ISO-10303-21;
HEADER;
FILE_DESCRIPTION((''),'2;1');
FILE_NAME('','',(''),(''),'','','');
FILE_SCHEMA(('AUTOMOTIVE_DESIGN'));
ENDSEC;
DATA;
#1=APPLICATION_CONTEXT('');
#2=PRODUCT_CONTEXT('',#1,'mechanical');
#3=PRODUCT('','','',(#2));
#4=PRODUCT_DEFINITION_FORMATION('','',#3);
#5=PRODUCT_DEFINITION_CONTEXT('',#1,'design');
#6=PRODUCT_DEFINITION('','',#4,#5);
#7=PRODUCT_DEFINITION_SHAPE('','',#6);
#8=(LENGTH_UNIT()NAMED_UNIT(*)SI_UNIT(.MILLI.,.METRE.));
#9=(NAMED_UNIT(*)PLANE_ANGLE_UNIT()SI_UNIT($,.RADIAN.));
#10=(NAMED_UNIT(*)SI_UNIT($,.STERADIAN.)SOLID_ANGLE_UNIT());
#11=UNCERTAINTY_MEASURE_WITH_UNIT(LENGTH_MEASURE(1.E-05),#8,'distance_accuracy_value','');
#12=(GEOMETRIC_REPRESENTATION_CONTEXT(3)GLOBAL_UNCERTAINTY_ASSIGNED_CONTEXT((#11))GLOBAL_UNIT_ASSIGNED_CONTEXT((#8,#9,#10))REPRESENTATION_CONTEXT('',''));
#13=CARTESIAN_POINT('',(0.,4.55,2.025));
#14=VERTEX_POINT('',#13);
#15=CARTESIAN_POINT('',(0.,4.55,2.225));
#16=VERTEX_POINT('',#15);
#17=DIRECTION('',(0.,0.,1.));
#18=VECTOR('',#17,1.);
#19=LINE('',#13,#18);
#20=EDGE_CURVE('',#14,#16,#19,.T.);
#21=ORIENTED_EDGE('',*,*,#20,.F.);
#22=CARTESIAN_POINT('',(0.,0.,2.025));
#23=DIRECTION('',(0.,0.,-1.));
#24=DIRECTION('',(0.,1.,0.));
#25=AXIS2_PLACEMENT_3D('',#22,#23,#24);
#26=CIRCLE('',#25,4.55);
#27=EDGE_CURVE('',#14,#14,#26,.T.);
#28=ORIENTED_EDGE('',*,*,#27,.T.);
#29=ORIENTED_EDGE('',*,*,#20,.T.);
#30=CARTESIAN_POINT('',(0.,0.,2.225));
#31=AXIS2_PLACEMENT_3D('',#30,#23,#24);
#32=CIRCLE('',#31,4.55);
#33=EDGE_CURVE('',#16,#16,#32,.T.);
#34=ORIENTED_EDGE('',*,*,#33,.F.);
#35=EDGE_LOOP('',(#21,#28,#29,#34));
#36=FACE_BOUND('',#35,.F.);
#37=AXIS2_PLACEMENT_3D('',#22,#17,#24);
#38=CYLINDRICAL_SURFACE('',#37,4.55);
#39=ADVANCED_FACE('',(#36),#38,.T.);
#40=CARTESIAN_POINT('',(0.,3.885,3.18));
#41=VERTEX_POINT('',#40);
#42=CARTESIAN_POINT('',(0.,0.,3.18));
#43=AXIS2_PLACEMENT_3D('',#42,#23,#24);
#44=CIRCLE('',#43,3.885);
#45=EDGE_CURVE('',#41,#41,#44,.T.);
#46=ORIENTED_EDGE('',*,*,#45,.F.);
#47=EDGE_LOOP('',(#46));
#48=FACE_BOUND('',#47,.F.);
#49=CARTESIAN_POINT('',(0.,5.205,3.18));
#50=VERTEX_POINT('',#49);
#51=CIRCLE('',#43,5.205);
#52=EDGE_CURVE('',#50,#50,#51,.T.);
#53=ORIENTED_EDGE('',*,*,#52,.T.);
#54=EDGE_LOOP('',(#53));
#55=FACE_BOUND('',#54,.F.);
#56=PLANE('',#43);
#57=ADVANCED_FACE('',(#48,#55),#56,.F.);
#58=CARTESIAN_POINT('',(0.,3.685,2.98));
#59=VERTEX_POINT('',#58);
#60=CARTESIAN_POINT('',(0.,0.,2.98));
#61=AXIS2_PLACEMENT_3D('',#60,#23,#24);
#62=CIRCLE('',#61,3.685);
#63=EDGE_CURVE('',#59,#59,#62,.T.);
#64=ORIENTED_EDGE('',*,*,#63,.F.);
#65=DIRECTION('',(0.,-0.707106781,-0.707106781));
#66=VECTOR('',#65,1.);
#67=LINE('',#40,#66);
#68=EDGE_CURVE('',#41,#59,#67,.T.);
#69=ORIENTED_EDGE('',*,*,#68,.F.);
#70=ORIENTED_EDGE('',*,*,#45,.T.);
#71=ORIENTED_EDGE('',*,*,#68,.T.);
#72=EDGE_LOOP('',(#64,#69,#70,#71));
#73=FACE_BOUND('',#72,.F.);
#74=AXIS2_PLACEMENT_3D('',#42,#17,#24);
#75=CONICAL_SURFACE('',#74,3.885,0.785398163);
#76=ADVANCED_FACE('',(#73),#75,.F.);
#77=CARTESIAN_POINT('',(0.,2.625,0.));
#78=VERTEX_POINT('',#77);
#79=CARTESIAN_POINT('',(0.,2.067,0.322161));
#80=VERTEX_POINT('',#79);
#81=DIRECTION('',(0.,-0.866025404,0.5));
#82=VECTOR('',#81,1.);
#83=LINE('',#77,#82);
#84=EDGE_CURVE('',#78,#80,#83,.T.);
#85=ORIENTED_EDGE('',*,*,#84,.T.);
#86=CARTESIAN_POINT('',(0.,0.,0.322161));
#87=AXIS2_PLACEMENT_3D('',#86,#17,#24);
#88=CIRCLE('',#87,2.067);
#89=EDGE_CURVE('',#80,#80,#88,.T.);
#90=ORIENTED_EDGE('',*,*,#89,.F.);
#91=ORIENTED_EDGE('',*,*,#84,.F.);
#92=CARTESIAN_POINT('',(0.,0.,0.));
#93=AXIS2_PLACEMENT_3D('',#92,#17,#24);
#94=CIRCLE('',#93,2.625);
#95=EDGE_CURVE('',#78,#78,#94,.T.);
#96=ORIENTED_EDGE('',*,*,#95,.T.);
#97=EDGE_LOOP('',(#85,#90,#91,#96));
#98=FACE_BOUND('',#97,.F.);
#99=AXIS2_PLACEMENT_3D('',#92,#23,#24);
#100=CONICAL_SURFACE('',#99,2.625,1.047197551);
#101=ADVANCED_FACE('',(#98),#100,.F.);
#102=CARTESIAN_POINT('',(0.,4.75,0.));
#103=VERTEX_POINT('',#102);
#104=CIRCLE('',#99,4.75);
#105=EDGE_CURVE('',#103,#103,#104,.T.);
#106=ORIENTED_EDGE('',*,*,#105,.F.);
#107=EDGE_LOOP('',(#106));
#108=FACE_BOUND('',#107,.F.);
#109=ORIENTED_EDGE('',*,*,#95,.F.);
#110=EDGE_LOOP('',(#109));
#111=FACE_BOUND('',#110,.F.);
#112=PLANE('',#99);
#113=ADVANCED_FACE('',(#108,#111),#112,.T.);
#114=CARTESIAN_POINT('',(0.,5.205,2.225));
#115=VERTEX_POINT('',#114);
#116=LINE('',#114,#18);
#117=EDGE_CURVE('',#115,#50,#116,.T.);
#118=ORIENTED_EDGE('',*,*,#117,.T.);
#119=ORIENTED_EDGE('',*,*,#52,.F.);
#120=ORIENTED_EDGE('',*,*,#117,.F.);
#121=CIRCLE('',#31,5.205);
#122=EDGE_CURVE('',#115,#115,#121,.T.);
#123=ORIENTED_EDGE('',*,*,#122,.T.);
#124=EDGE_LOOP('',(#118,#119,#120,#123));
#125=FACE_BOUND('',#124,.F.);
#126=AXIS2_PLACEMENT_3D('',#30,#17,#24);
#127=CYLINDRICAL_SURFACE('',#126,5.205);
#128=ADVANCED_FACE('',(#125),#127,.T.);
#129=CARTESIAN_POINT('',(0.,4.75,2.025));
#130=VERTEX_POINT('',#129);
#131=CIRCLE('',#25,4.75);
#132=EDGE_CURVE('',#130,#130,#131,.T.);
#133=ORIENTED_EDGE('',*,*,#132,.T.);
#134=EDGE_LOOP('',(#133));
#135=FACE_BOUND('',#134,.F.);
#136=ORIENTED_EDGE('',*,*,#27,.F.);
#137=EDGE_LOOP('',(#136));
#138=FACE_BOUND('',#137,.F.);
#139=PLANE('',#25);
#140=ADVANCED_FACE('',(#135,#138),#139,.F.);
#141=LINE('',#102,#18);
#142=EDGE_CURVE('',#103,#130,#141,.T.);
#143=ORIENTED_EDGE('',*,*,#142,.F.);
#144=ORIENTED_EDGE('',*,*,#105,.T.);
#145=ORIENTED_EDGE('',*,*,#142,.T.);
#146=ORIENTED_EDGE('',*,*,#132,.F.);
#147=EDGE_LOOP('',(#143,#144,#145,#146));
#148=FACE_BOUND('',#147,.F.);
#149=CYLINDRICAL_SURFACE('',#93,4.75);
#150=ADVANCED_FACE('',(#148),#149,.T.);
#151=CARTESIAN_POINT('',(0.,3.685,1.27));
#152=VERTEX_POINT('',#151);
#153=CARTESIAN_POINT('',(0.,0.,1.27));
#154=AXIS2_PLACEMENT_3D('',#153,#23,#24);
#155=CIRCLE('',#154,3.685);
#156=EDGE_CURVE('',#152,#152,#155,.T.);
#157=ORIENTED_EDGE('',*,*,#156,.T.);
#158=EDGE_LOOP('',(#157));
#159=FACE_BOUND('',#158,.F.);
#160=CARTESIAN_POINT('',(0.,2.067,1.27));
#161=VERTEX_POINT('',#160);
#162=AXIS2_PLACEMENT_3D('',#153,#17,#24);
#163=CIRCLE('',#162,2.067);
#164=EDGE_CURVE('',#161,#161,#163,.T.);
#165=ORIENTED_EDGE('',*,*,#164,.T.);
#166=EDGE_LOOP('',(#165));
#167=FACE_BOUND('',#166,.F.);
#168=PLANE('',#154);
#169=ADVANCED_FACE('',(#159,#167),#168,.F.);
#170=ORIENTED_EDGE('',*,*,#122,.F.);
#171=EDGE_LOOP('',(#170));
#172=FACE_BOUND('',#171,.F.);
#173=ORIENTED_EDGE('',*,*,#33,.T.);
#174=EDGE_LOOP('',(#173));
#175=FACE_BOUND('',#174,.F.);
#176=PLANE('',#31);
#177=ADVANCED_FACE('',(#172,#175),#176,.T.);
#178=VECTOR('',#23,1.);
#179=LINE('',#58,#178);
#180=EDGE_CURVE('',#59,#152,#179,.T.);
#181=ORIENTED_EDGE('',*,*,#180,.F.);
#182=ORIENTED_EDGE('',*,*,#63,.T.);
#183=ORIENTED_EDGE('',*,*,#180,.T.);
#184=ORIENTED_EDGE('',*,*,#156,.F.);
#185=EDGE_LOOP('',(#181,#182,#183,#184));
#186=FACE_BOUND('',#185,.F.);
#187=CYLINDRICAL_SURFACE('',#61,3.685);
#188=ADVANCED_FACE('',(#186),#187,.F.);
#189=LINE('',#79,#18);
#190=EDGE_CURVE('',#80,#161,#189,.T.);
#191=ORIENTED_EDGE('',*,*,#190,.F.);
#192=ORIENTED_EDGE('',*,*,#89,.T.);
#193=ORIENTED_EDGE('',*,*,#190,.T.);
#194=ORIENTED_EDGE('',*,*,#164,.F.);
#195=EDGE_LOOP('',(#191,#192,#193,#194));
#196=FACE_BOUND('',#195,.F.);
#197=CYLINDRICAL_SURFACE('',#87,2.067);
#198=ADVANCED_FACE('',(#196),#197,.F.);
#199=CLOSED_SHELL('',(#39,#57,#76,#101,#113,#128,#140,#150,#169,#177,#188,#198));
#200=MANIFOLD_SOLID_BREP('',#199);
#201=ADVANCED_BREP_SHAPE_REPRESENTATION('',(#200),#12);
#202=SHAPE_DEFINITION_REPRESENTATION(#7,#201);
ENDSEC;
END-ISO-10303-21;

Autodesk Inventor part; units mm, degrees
ref_plane "YZ Plane" through (0, 0, 0) normal (1, 0, 0) x (0, 1, 0)
ref_plane "XZ Plane" through (0, 0, 0) normal (0, 1, 0) x (-1, 0, 0)
ref_plane "XY Plane" through (0, 0, 0) normal (0, 0, 1) x (1, 0, 0)
sketch "Sketch1" plane through (0, 0, 0) normal (1, 0, 0) x (0, 1, 0)
  line L0 (0, 0) -> (4.75, 0)
  line L1 (4.75, 0) -> (4.75, 2.025)
  line L2 (4.75, 2.025) -> (4.55, 2.025)
  line L3 (4.55, 2.025) -> (4.55, 2.225)
  line L4 (4.55, 2.225) -> (5.205, 2.225)
  line L5 (5.205, 2.225) -> (5.205, 3.18)
  line L6 (5.205, 3.18) -> (3.885, 3.18)
  line L7 (3.685, 2.98) -> (3.685, 1.27)
  line L8 (3.685, 1.27) -> (0, 1.27)
  line L9 (0, 1.27) -> (0, 0)
  line L10 (3.885, 3.18) -> (3.685, 2.98)
  point P0 (3.685, 3.18)
  dimension "d1" = 9.5
  dimension "d4" = 0.2
  dimension "d5" = 3.18
  dimension "d6" = 10.41
  dimension "d7" = 1.91
  dimension "d8" = 7.37
  dimension "d9" = 0.955
  dimension "d28" = 0.2
  dimension "d29" = 0.2
revolve "Revolution1" add sketch "Sketch1" angle 360 about axis through (0, 0, 1.27) along (0, 0, -1)
hole "Hole1" at (0, 0, 0) direction (0, 0, 1) diameter 4.134 end through all countersink diameter 5.25 countersink angle 120 thread size "M5x0.8" class "6H" standard "ANSI Metric M Profile"
equation "\"d1\" = C_"
equation "\"d4\" = TD_d"
equation "\"d5\" = A_"
equation "\"d6\" = E_"
equation "\"d7\" = H_"
equation "\"d8\" = B"
equation "\"d9\" = 0.5 * H_"
equation "\"d28\" = TD_d"
equation "\"d29\" = d28"
equation "\"d19\" = 1.05 * NND"
equation "\"A_\" = 3.18"
equation "\"B\" = 7.37"
equation "\"C_\" = 9.5"
equation "\"E_\" = 10.41"
equation "\"H_\" = 1.91"
equation "\"NND\" = 5"
equation "\"TD_d\" = 0.2"
equation "\"Min_Sheet_for_Self_Clinching\" = 1.27"
equation "\"Min_Sheet_for_Flush_Installation\" = 3.18"
equation "\"Min_Dist\" = 9.14"
equation "\"H_Size\" = 9.53"
equation "\"TL\" = 1.27"
properties part number "PR10-M5" material "Stainless Steel"
